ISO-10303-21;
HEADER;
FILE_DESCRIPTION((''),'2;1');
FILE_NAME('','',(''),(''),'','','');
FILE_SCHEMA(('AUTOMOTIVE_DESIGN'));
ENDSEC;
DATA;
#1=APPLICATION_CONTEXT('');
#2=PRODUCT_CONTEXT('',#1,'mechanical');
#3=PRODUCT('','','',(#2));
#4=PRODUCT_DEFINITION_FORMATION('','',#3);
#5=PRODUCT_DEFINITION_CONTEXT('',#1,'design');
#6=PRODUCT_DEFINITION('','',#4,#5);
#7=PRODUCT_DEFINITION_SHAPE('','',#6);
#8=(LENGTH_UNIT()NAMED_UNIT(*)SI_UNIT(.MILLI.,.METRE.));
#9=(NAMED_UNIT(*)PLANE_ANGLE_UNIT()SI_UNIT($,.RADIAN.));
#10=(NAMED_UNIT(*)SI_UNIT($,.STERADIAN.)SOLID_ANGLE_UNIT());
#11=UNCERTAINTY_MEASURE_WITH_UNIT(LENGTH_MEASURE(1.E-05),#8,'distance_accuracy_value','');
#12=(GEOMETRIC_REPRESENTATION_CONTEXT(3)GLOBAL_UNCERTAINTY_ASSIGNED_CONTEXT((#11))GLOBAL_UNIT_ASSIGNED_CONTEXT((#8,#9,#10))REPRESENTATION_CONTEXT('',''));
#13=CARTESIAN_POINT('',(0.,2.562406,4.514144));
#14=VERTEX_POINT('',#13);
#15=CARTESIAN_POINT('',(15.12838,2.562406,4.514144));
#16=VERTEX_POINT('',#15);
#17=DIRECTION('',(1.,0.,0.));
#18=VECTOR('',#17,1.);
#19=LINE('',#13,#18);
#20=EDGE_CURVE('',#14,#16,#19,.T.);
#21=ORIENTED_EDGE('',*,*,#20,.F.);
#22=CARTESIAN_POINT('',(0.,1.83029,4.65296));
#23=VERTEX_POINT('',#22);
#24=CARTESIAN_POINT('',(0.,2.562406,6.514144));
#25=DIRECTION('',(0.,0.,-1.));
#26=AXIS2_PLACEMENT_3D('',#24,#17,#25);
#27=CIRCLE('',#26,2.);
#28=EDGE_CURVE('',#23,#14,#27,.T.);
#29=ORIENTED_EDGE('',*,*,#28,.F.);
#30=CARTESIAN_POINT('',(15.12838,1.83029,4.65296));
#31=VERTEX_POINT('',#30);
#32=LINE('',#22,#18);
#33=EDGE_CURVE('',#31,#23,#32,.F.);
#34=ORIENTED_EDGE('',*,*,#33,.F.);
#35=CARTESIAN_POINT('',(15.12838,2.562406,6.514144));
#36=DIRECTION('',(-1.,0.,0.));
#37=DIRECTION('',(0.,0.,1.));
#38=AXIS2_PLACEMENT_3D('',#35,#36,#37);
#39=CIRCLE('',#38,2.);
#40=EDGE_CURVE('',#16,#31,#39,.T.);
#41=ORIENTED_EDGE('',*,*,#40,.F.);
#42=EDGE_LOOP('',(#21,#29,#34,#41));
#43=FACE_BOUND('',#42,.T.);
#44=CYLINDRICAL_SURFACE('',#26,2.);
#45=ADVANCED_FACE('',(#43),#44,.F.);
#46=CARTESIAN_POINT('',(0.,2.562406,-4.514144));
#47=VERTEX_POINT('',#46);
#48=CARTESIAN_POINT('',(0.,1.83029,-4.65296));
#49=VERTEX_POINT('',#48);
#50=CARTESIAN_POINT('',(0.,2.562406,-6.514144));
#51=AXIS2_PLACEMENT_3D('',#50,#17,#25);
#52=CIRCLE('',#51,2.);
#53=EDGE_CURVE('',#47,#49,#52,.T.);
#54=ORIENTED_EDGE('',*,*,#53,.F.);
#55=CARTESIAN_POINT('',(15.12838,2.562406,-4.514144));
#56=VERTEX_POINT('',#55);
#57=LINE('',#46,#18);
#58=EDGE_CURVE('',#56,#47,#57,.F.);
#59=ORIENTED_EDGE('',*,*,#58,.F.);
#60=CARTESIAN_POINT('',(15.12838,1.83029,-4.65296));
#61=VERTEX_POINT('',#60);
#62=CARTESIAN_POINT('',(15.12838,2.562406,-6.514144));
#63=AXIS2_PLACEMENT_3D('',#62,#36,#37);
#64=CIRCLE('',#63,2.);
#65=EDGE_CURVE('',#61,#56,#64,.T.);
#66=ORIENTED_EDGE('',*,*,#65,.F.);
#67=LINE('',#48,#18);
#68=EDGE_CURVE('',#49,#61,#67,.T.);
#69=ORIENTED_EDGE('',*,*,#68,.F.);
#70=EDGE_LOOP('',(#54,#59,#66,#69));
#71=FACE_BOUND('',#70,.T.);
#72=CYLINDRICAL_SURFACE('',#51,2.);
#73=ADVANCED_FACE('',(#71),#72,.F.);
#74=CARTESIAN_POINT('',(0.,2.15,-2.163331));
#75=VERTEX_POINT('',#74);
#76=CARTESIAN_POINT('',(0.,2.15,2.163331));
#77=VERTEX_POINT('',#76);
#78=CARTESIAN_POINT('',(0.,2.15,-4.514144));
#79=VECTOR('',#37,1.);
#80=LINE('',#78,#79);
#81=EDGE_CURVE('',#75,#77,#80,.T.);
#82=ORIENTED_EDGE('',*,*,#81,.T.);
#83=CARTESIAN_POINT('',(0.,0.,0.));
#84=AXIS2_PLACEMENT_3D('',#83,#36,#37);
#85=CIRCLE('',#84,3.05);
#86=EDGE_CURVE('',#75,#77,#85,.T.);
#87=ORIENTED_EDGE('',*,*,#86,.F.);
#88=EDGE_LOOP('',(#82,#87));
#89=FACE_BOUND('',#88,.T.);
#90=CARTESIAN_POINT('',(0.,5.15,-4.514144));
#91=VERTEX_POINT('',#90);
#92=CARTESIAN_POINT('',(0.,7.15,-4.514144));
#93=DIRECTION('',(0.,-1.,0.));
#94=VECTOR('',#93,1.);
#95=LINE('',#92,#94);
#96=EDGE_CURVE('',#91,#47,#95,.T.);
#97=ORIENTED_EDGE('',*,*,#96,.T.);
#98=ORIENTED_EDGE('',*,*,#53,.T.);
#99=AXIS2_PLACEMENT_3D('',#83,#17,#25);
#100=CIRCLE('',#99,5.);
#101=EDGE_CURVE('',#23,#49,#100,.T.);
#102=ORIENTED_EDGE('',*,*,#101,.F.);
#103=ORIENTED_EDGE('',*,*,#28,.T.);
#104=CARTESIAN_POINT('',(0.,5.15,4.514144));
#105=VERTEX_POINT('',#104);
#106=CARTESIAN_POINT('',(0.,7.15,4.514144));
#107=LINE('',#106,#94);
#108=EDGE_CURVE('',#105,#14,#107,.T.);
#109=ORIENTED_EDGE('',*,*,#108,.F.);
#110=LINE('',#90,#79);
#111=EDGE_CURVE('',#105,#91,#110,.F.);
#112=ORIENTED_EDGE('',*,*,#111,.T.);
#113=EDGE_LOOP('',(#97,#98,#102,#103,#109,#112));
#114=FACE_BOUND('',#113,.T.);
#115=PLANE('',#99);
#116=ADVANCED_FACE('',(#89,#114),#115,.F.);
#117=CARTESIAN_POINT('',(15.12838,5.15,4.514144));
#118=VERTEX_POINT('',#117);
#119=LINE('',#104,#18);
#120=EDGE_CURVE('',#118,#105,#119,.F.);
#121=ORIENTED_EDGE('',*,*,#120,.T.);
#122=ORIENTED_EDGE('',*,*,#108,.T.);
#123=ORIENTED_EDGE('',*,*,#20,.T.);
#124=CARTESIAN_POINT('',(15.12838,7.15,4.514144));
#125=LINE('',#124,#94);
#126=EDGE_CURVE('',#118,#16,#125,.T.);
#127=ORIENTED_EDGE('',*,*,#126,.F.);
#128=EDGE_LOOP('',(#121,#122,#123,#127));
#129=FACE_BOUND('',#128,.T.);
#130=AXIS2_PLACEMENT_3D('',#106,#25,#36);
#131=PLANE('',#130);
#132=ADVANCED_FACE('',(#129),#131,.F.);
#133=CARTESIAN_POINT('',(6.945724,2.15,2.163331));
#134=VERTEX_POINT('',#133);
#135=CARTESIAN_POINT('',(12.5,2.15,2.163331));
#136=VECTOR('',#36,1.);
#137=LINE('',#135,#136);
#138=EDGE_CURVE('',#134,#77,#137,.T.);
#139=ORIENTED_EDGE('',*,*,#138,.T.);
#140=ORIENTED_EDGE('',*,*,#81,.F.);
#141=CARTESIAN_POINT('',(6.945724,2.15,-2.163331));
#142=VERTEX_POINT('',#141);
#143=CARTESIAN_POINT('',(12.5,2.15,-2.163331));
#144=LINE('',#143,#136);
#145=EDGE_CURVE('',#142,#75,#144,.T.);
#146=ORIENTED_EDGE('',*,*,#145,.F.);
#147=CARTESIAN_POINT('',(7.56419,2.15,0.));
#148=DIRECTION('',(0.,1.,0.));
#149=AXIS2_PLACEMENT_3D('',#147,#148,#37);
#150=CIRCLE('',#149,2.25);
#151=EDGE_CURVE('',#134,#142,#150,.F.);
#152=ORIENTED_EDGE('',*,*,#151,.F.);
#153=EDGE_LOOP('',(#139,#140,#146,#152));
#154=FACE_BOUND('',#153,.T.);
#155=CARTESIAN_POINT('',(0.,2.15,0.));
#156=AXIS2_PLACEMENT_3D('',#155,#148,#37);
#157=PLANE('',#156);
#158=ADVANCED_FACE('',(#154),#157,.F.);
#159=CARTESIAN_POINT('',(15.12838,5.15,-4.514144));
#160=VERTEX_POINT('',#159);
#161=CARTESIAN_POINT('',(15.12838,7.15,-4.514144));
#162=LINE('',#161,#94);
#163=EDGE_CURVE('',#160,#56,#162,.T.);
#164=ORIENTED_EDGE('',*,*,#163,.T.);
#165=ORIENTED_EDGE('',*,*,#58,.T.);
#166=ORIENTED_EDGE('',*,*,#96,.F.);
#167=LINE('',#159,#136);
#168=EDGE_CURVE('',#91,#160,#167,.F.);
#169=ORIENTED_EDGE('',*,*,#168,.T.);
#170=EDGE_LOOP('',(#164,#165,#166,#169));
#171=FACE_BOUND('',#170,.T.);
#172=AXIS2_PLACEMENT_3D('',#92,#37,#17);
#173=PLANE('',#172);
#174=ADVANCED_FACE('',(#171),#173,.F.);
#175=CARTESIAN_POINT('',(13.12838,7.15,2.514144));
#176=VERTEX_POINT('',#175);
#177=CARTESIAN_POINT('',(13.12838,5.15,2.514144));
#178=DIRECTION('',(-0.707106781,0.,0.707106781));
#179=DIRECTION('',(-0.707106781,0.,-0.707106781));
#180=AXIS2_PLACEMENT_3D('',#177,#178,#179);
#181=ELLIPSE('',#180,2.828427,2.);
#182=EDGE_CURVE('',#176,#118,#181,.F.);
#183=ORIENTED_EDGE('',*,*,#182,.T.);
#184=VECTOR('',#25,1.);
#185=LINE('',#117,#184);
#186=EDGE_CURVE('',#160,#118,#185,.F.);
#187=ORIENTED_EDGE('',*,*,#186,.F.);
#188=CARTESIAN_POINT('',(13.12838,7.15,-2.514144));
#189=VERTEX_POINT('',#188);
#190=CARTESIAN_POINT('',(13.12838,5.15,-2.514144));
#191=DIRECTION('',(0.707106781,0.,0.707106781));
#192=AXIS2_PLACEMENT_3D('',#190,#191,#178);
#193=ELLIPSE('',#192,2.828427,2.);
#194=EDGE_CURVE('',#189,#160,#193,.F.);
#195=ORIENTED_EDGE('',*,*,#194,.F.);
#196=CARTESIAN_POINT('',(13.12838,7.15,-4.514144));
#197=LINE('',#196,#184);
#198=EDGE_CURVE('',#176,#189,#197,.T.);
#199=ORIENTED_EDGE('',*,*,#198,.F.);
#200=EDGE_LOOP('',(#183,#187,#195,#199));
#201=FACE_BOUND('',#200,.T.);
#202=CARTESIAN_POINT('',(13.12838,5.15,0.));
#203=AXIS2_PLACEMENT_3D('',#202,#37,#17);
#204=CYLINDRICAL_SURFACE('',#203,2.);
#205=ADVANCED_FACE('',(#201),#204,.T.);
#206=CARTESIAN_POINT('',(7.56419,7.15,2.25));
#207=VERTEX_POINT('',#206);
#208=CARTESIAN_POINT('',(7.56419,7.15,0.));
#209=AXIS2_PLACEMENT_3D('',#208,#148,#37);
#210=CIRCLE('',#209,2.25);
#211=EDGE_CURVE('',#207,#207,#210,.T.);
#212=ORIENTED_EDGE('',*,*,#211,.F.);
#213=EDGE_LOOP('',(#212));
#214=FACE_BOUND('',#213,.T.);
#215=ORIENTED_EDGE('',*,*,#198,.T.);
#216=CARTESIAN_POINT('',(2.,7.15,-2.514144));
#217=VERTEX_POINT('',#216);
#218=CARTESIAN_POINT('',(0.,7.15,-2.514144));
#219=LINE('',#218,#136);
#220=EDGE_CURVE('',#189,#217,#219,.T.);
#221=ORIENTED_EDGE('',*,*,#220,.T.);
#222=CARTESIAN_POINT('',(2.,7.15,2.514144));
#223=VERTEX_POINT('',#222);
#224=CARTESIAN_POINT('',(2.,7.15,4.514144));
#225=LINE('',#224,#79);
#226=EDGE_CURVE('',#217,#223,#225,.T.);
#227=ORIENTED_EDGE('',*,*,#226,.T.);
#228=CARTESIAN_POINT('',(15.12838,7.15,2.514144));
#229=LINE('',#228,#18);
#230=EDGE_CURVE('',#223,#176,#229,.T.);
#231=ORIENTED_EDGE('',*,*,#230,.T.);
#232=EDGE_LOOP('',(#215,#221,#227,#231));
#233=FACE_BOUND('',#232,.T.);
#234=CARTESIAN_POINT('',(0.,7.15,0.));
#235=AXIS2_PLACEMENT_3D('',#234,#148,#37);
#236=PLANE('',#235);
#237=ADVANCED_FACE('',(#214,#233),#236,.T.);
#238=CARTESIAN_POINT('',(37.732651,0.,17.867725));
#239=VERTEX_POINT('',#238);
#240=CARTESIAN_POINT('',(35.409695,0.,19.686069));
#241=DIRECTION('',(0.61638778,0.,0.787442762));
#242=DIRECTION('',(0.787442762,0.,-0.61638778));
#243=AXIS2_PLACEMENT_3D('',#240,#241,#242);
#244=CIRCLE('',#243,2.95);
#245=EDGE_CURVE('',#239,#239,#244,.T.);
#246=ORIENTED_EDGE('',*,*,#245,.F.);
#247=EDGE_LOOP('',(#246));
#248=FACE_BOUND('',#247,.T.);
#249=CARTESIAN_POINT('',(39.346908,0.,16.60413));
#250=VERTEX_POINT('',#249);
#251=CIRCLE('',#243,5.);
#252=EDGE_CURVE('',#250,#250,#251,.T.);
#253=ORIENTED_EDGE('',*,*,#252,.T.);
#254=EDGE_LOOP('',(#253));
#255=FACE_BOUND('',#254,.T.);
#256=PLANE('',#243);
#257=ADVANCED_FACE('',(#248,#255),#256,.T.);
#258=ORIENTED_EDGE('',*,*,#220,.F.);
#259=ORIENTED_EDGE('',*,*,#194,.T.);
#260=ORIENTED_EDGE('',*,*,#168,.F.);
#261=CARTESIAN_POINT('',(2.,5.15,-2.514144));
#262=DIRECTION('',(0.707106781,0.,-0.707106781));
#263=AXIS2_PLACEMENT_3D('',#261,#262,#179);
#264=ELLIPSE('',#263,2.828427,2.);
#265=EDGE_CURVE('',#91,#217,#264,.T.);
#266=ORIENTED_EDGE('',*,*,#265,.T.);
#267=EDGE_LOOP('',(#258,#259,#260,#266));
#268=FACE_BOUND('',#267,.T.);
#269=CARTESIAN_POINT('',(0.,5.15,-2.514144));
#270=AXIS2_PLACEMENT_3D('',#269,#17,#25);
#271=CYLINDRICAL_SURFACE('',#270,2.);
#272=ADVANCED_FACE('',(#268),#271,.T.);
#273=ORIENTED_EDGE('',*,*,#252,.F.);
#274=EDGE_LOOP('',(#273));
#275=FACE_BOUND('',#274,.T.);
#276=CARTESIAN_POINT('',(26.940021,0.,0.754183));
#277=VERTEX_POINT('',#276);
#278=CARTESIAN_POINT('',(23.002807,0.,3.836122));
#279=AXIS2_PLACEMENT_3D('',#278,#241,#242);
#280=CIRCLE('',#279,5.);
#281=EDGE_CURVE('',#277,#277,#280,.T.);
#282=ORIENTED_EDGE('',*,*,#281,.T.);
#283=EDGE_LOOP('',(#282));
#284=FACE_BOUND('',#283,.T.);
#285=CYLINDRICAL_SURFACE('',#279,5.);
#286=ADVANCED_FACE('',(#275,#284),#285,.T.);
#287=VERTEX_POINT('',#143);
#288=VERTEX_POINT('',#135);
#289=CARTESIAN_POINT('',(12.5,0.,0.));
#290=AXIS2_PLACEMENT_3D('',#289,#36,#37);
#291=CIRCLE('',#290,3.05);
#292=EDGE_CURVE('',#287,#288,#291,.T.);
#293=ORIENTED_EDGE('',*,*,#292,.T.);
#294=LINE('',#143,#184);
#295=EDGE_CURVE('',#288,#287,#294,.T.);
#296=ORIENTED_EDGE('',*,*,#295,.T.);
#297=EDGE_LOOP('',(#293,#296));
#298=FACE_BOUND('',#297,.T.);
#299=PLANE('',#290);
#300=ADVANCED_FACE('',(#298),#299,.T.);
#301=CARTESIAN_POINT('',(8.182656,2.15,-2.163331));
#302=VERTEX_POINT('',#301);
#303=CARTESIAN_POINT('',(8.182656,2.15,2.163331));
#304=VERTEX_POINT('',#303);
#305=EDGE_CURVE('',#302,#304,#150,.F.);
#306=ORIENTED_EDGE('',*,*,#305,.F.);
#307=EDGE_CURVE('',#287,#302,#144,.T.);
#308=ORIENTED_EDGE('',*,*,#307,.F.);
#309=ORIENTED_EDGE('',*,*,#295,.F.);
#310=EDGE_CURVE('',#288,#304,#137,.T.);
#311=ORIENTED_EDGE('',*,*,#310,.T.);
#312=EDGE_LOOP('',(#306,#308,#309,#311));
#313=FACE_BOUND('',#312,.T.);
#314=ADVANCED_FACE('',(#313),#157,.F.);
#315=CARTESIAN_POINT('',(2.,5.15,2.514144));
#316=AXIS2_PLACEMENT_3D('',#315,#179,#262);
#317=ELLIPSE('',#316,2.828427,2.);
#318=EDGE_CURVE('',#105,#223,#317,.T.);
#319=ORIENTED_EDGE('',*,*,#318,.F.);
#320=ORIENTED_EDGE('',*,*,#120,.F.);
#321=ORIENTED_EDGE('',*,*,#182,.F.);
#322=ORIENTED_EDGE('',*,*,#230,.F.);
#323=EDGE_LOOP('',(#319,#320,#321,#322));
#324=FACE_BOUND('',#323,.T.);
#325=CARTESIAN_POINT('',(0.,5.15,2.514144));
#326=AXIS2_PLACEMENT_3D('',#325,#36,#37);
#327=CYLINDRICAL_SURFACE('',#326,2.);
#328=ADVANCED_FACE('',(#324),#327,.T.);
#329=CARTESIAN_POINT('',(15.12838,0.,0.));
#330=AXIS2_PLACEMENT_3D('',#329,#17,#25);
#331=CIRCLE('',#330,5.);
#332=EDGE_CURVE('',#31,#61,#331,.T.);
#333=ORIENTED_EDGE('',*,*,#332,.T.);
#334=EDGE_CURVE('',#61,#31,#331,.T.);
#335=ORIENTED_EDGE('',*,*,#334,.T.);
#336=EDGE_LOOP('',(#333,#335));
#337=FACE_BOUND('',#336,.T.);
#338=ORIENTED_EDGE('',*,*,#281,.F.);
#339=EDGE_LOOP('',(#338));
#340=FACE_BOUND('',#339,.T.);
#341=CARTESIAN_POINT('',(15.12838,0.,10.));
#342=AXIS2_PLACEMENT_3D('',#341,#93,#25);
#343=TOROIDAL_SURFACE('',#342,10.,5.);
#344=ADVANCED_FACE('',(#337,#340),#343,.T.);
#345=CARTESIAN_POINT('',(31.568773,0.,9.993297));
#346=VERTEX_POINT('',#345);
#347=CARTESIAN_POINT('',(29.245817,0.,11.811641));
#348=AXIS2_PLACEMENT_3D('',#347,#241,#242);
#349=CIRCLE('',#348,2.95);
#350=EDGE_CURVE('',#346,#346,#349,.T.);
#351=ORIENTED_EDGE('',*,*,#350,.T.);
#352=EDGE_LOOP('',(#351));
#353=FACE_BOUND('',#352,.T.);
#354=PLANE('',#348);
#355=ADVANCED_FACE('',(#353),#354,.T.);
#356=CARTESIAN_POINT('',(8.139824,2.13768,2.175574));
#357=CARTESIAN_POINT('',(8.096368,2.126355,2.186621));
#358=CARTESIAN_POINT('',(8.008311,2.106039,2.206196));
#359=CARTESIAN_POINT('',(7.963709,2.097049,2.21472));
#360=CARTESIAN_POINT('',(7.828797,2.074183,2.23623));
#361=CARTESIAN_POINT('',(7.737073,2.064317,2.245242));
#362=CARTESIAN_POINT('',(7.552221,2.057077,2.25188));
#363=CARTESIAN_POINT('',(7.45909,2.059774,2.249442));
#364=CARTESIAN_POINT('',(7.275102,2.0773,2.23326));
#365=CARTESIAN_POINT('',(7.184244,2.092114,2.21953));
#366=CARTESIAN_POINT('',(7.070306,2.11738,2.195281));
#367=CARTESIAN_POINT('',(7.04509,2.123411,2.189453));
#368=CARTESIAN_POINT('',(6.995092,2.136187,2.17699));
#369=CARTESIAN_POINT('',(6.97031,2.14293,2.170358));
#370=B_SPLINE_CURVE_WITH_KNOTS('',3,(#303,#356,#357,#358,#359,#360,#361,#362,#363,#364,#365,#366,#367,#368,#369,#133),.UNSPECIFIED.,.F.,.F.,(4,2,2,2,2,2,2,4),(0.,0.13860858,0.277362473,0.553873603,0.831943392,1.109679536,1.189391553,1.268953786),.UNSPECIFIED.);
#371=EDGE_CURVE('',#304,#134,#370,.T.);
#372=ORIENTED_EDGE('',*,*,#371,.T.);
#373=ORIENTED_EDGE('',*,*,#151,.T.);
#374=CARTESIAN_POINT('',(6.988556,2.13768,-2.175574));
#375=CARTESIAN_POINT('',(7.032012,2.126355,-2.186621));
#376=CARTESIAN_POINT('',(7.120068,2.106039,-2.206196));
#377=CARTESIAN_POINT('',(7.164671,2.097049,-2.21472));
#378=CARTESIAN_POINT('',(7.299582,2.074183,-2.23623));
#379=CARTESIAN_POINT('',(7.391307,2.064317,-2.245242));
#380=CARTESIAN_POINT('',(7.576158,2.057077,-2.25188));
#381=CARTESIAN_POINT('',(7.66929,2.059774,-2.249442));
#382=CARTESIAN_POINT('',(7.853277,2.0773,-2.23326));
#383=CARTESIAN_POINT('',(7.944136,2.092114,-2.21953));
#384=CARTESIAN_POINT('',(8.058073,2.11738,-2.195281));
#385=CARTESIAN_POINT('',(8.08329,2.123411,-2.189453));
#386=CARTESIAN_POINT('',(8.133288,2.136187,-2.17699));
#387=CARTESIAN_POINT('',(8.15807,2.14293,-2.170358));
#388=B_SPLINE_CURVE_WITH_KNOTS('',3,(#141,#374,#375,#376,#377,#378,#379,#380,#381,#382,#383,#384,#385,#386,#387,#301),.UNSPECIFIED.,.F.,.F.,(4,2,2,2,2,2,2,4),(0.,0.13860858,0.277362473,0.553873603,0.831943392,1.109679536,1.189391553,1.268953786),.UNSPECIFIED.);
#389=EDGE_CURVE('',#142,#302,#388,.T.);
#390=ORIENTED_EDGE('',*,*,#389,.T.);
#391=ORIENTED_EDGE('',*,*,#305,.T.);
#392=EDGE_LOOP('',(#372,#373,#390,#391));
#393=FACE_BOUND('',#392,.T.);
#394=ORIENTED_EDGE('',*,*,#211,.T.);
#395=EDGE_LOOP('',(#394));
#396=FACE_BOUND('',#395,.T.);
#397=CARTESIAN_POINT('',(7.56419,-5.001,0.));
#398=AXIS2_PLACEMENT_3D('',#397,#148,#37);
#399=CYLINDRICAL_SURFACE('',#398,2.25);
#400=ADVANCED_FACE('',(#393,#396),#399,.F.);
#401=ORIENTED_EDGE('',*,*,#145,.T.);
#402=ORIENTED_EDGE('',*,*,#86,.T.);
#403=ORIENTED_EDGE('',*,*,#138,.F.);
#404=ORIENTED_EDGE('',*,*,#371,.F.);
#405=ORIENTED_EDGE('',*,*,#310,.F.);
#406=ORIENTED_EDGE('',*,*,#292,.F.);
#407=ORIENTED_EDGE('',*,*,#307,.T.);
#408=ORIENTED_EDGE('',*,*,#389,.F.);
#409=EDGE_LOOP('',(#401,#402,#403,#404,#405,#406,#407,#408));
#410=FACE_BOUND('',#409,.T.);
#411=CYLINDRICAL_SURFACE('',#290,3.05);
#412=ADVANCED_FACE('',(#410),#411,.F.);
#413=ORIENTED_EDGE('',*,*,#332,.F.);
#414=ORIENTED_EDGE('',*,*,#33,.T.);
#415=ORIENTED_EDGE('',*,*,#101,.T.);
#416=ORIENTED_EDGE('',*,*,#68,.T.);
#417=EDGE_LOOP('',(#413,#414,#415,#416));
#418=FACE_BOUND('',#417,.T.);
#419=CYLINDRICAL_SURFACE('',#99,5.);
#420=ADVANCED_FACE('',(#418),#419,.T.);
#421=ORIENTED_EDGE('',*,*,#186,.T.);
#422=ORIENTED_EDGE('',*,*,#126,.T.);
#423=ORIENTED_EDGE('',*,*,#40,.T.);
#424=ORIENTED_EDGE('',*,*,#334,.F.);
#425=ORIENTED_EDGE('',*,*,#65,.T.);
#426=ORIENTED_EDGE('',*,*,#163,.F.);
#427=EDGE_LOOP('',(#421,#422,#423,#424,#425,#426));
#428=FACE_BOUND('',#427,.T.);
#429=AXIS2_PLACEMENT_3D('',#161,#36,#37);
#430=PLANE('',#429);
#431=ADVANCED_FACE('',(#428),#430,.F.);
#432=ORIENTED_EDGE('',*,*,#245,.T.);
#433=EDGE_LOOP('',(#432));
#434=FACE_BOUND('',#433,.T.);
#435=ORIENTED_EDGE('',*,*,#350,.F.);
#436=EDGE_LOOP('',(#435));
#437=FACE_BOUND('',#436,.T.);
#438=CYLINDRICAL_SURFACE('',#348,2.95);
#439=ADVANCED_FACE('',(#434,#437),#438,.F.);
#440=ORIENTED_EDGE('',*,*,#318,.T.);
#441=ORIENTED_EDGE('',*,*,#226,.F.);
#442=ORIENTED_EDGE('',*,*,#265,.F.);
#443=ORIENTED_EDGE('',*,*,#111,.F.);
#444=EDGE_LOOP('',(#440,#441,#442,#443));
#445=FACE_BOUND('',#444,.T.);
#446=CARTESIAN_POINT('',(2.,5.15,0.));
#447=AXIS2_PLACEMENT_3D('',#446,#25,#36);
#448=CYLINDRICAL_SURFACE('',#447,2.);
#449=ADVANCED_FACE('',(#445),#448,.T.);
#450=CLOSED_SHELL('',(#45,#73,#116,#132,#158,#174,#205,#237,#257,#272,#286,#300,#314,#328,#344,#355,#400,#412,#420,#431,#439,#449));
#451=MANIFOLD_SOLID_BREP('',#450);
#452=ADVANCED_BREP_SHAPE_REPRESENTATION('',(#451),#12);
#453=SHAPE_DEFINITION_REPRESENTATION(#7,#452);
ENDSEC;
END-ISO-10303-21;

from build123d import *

# Parameters (mm, degrees)
SKETCH2_R           = 5
CUT_EXTRUDE1_DEPTH  = 12.5
SKETCH5_R           = 2.95
CUT_EXTRUDE3_DEPTH  = 10
SKETCH14_W          = 15.128379637
SKETCH14_H          = 10
CUT_EXTRUDE4_DEPTH  = 5
SKETCH15_W          = 15.128379637
SKETCH15_H          = 9.028288874
BOSS_EXTRUDE3_DEPTH = 5
FILLET2_R           = 2
FILLET3_R           = 2
CUT_EXTRUDE5_REACH  = 14.15
SKETCH16_R          = 2.25


with BuildPart() as part:
    # Sweep1: sweep along a path in Sketch1
    with BuildLine(Plane(origin=(0, 0, 0), x_dir=(1, 0, 0), z_dir=(0, 1, 0))) as sweep1_path:
        Line((0, 0), (15.128379637, 0))
        ThreePointArc((15.128379637, 0), (19.50794708, -1.010039543), (23.002807262, -3.836122196))
        Line((23.002807262, -3.836122196), (35.409694509, -19.686069062))
    # Sketch2 → Sweep1 (sweep)
    with BuildSketch(Plane(origin=(0, 0, 0), x_dir=(0, 0, -1), z_dir=(1, 0, 0))):
        Circle(SKETCH2_R)
    sweep(path=sweep1_path.line)

    # Sketch4 → Cut-Extrude1 (cut)
    with BuildSketch(Plane.ZY):
        with BuildLine():
            Line((-2.163330765, 2.15), (2.163330765, 2.15))
            ThreePointArc((2.163330765, 2.15), (0, -3.05), (-2.163330765, 2.15))
        make_face()
    extrude(amount=-CUT_EXTRUDE1_DEPTH, mode=Mode.SUBTRACT)

    # Sketch5 → Cut-Extrude3 (cut)
    with BuildSketch(Plane(origin=(23.008372425, 0, 29.393470993), x_dir=(0.787442762, 0, -0.61638778), z_dir=(0.61638778, 0, 0.787442762))):
        with Locations((15.74885525, 0)):
            Circle(SKETCH5_R)
    extrude(amount=-CUT_EXTRUDE3_DEPTH, mode=Mode.SUBTRACT)

    # Sketch14 → Cut-Extrude4 (cut)
    with BuildSketch(Plane.XZ.offset(-2.15)):
        with Locations((7.564189819, 0)):
            Rectangle(SKETCH14_W, SKETCH14_H)
    extrude(amount=-CUT_EXTRUDE4_DEPTH, mode=Mode.SUBTRACT)

    # Sketch15 → Boss-Extrude3 (add)
    with BuildSketch(Plane(origin=(0, 2.15, 0), x_dir=(1, 0, 0), z_dir=(0, 1, 0))):
        with Locations((7.564189819, 0)):
            Rectangle(SKETCH15_W, SKETCH15_H)
    extrude(amount=BOSS_EXTRUDE3_DEPTH)

    # Fillet2
    fillet2_edges = [part.edges().sort_by_distance(p)[0] for p in [
        (7.564189819, 2.15, -4.514144437),
        (7.564189819, 2.15, 4.514144437),
    ]]
    fillet(fillet2_edges, radius=FILLET2_R)

    # Fillet3
    fillet3_edges = [part.edges().sort_by_distance(p)[0] for p in [
        (0, 7.15, 0),
        (7.564189819, 7.15, 4.514144437),
        (15.128379637, 7.15, 0),
        (7.564189819, 7.15, -4.514144437),
    ]]
    fillet(fillet3_edges, radius=FILLET3_R)

    # Sketch16 → Cut-Extrude5 (cut, up to next)
    with BuildSketch(Plane(origin=(0, 7.15, 0), x_dir=(1, 0, 0), z_dir=(0, 1, 0)), mode=Mode.PRIVATE) as cut_extrude5_sk1:
        with Locations((7.564189819, 0)):
            Circle(SKETCH16_R)
    cut_extrude5_tool1 = extrude(cut_extrude5_sk1.sketch, amount=-CUT_EXTRUDE5_REACH, mode=Mode.PRIVATE) & part.part
    add(cut_extrude5_tool1.solids().sort_by_distance((7.56419, 7.15, 0))[0], mode=Mode.SUBTRACT)


solid = part.part
